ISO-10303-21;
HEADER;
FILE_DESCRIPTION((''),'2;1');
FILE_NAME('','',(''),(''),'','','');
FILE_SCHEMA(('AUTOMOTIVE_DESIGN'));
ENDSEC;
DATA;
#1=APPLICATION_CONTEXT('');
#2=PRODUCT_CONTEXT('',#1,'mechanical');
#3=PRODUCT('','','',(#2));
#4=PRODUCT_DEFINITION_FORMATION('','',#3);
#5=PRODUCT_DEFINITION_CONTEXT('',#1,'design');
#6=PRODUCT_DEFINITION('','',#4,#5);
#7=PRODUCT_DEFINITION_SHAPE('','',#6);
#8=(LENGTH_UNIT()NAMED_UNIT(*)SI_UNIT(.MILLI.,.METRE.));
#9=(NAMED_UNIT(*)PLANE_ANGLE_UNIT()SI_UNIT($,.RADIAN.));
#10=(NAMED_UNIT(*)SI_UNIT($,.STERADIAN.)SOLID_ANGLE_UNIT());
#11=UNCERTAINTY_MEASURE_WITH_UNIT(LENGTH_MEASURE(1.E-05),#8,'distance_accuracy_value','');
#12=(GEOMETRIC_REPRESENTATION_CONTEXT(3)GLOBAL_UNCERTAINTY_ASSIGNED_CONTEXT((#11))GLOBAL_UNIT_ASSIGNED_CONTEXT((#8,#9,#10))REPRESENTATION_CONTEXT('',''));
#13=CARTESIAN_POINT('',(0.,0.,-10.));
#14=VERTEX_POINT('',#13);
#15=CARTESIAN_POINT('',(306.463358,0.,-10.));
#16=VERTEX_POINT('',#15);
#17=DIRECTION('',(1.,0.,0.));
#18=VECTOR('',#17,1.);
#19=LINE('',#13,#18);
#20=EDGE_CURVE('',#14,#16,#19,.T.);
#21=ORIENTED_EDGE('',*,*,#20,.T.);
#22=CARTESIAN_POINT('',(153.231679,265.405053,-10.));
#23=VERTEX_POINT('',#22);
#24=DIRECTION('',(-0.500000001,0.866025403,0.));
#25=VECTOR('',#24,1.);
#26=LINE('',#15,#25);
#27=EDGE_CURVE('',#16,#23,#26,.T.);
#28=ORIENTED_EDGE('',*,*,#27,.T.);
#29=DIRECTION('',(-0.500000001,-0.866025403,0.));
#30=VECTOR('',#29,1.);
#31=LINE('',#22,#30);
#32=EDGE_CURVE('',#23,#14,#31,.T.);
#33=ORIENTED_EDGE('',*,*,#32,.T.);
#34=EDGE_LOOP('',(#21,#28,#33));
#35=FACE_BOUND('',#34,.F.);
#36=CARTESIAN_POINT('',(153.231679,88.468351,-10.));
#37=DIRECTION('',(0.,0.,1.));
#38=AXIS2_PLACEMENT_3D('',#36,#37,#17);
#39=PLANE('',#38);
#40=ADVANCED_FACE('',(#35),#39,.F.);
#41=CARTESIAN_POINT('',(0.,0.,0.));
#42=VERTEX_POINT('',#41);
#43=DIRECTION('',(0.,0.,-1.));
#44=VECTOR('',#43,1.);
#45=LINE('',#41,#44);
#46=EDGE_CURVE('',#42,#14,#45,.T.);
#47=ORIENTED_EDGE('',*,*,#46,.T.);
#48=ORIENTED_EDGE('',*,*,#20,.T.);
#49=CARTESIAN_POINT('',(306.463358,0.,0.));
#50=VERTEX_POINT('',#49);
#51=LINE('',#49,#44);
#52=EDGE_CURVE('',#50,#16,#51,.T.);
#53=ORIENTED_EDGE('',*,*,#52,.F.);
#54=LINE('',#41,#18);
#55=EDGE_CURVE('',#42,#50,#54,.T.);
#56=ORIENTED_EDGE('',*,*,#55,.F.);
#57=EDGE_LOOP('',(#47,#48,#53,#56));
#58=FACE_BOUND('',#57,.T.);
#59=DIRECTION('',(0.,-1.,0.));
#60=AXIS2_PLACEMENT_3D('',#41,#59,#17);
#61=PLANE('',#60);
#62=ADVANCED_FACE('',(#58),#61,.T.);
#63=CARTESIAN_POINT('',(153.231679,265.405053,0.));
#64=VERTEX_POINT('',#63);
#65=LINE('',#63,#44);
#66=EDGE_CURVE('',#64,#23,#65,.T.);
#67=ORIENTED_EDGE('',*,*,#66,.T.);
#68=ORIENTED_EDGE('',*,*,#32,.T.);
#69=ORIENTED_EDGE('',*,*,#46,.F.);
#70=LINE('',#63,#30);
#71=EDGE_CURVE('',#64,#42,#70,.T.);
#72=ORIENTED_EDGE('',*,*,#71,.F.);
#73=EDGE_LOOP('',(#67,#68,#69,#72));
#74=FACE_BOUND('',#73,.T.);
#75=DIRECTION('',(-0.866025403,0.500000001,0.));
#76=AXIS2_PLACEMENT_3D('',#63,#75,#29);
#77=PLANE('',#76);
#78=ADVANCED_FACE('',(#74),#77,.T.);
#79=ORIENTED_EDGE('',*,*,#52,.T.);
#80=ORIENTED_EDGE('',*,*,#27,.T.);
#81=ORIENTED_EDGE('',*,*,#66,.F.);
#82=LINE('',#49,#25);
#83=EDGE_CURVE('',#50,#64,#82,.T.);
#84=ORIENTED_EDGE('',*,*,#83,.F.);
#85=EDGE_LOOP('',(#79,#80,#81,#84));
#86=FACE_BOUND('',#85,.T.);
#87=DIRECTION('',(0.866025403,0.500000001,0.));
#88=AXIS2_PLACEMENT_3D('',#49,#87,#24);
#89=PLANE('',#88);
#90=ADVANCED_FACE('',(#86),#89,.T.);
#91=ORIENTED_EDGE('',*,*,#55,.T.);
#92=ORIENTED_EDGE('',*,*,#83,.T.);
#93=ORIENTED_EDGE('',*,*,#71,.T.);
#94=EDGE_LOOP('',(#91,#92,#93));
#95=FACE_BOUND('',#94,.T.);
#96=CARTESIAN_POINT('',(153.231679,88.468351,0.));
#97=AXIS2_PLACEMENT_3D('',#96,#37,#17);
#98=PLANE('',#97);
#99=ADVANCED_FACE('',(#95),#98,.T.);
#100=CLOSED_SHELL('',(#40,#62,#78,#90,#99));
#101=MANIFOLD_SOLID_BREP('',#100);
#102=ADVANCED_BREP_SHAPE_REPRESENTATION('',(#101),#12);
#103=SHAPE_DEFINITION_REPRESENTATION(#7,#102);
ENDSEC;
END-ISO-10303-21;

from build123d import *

# Parameters (mm, degrees)
PAD011_DEPTH = 10


with BuildPart() as part:
    # Sketch011 → Pad011 (new body)
    with BuildSketch(Plane.XY):
        Polygon((-47.205635, 137.739944), (-200.437314, -127.665109), (106.026044, -127.665109), align=None)
    extrude(amount=-PAD011_DEPTH)


with BuildPart() as part_1:
    # Body011 placement: moved
    add(part.part.moved(Location((200.437314, 127.665109, 0))))


solid = part_1.part
